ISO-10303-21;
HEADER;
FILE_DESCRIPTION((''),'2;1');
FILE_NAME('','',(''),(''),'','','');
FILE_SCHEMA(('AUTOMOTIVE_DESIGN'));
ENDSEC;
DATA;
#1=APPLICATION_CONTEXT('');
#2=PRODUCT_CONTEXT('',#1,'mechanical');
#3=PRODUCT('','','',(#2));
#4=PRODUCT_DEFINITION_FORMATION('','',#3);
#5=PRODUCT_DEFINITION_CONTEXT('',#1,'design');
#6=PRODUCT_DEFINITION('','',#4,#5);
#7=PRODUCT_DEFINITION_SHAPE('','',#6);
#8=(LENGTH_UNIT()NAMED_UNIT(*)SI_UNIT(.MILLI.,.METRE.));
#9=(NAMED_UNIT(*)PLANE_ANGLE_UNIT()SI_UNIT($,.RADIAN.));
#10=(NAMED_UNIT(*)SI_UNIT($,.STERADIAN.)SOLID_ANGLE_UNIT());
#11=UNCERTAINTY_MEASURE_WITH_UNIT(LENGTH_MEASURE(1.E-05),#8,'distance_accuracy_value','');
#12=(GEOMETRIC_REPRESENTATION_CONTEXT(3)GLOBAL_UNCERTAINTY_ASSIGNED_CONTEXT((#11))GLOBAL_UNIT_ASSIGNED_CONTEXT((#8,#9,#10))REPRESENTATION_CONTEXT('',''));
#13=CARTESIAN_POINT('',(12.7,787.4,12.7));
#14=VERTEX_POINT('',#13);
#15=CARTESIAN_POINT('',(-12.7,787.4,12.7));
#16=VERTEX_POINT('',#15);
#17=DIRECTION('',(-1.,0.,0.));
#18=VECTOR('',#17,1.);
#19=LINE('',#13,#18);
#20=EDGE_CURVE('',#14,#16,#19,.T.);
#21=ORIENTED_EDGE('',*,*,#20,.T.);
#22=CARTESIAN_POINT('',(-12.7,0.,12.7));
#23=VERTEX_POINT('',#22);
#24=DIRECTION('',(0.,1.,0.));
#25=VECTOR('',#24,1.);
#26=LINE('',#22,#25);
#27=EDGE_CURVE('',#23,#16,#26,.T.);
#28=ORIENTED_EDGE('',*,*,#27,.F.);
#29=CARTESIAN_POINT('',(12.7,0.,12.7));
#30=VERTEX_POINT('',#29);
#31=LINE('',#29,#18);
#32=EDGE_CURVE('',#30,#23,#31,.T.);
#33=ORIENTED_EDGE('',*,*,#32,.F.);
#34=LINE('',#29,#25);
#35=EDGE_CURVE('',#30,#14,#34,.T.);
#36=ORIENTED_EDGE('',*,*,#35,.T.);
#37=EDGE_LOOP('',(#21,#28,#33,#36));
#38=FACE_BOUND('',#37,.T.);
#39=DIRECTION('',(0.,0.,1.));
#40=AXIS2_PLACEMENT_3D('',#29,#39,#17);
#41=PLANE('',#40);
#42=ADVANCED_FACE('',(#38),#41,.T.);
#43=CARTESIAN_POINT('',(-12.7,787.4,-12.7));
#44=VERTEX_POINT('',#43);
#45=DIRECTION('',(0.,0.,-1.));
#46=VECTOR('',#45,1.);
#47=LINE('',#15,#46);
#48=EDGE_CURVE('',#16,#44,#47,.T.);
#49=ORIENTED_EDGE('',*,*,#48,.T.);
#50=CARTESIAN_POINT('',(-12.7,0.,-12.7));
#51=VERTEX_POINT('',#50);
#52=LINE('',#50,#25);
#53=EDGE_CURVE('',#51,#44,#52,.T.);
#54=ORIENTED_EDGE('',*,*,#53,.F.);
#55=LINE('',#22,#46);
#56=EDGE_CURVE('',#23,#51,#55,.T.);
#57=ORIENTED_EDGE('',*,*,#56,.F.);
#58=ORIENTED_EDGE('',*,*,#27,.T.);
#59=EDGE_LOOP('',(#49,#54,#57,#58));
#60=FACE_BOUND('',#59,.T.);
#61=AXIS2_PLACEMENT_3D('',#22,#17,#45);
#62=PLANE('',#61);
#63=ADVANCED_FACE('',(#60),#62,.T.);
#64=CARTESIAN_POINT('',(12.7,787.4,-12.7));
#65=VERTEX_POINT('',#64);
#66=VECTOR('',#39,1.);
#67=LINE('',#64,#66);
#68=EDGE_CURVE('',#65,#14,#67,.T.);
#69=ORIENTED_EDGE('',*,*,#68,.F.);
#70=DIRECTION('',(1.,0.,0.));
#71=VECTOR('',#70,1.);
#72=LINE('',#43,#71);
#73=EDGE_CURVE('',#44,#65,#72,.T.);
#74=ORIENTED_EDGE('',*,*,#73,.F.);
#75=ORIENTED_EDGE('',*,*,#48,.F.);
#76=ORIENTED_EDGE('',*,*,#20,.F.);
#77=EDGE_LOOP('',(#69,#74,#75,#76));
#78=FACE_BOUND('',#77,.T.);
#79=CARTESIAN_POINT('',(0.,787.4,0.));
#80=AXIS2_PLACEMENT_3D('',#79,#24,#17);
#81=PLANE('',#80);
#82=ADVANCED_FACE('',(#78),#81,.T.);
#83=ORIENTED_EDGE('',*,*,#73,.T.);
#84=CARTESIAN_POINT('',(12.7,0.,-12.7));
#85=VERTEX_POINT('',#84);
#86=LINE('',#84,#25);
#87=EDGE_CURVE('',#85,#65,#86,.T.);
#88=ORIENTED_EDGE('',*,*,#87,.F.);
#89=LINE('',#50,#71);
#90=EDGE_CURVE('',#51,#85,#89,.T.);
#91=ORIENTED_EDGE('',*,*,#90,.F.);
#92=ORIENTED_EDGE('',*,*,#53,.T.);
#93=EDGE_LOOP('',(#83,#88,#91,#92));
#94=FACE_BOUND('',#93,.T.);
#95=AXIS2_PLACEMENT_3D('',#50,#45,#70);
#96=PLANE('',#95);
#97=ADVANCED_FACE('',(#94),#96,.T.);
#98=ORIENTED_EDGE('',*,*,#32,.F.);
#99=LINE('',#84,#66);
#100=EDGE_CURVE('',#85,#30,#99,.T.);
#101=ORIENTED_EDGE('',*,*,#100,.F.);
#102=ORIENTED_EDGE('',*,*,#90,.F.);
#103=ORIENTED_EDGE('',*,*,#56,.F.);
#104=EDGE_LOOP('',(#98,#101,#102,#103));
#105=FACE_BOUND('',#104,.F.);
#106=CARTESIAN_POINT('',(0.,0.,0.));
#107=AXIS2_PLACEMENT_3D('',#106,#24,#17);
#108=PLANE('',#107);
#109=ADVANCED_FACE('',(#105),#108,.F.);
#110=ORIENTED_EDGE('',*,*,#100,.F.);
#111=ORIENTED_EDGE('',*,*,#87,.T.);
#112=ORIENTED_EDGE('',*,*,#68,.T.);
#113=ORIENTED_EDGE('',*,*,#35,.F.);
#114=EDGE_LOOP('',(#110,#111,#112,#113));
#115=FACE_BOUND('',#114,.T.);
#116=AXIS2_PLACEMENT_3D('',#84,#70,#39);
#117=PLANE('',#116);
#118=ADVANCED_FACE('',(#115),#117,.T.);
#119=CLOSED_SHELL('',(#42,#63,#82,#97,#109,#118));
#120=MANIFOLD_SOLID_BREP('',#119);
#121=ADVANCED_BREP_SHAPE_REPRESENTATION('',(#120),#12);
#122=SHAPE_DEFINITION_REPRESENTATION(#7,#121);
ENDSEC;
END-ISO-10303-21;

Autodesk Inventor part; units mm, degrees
ref_plane "YZ Plane" through (0, 0, 0) normal (1, 0, 0) x (0, 1, 0)
ref_plane "XZ Plane" through (0, 0, 0) normal (0, 1, 0) x (-1, 0, 0)
ref_plane "XY Plane" through (0, 0, 0) normal (0, 0, 1) x (1, 0, 0)
sketch "Sketch1" plane through (0, 0, 0) normal (0, 1, 0) x (-1, 0, 0)
  line L0 (-12.7, 12.7) -> (12.7, 12.7)
  line L1 (12.7, 12.7) -> (12.7, -12.7)
  line L2 (12.7, -12.7) -> (-12.7, -12.7)
  line L3 (-12.7, -12.7) -> (-12.7, 12.7)
  point P0 (0, 0)
  point P1 (-12.7, 0)
  point P2 (0, 12.7)
  dimension "d0" = 25.4
  dimension "d1" = 25.4
extrude "Extrusion1" add sketch "Sketch1" along normal blind 787.4
properties part number "Main"
